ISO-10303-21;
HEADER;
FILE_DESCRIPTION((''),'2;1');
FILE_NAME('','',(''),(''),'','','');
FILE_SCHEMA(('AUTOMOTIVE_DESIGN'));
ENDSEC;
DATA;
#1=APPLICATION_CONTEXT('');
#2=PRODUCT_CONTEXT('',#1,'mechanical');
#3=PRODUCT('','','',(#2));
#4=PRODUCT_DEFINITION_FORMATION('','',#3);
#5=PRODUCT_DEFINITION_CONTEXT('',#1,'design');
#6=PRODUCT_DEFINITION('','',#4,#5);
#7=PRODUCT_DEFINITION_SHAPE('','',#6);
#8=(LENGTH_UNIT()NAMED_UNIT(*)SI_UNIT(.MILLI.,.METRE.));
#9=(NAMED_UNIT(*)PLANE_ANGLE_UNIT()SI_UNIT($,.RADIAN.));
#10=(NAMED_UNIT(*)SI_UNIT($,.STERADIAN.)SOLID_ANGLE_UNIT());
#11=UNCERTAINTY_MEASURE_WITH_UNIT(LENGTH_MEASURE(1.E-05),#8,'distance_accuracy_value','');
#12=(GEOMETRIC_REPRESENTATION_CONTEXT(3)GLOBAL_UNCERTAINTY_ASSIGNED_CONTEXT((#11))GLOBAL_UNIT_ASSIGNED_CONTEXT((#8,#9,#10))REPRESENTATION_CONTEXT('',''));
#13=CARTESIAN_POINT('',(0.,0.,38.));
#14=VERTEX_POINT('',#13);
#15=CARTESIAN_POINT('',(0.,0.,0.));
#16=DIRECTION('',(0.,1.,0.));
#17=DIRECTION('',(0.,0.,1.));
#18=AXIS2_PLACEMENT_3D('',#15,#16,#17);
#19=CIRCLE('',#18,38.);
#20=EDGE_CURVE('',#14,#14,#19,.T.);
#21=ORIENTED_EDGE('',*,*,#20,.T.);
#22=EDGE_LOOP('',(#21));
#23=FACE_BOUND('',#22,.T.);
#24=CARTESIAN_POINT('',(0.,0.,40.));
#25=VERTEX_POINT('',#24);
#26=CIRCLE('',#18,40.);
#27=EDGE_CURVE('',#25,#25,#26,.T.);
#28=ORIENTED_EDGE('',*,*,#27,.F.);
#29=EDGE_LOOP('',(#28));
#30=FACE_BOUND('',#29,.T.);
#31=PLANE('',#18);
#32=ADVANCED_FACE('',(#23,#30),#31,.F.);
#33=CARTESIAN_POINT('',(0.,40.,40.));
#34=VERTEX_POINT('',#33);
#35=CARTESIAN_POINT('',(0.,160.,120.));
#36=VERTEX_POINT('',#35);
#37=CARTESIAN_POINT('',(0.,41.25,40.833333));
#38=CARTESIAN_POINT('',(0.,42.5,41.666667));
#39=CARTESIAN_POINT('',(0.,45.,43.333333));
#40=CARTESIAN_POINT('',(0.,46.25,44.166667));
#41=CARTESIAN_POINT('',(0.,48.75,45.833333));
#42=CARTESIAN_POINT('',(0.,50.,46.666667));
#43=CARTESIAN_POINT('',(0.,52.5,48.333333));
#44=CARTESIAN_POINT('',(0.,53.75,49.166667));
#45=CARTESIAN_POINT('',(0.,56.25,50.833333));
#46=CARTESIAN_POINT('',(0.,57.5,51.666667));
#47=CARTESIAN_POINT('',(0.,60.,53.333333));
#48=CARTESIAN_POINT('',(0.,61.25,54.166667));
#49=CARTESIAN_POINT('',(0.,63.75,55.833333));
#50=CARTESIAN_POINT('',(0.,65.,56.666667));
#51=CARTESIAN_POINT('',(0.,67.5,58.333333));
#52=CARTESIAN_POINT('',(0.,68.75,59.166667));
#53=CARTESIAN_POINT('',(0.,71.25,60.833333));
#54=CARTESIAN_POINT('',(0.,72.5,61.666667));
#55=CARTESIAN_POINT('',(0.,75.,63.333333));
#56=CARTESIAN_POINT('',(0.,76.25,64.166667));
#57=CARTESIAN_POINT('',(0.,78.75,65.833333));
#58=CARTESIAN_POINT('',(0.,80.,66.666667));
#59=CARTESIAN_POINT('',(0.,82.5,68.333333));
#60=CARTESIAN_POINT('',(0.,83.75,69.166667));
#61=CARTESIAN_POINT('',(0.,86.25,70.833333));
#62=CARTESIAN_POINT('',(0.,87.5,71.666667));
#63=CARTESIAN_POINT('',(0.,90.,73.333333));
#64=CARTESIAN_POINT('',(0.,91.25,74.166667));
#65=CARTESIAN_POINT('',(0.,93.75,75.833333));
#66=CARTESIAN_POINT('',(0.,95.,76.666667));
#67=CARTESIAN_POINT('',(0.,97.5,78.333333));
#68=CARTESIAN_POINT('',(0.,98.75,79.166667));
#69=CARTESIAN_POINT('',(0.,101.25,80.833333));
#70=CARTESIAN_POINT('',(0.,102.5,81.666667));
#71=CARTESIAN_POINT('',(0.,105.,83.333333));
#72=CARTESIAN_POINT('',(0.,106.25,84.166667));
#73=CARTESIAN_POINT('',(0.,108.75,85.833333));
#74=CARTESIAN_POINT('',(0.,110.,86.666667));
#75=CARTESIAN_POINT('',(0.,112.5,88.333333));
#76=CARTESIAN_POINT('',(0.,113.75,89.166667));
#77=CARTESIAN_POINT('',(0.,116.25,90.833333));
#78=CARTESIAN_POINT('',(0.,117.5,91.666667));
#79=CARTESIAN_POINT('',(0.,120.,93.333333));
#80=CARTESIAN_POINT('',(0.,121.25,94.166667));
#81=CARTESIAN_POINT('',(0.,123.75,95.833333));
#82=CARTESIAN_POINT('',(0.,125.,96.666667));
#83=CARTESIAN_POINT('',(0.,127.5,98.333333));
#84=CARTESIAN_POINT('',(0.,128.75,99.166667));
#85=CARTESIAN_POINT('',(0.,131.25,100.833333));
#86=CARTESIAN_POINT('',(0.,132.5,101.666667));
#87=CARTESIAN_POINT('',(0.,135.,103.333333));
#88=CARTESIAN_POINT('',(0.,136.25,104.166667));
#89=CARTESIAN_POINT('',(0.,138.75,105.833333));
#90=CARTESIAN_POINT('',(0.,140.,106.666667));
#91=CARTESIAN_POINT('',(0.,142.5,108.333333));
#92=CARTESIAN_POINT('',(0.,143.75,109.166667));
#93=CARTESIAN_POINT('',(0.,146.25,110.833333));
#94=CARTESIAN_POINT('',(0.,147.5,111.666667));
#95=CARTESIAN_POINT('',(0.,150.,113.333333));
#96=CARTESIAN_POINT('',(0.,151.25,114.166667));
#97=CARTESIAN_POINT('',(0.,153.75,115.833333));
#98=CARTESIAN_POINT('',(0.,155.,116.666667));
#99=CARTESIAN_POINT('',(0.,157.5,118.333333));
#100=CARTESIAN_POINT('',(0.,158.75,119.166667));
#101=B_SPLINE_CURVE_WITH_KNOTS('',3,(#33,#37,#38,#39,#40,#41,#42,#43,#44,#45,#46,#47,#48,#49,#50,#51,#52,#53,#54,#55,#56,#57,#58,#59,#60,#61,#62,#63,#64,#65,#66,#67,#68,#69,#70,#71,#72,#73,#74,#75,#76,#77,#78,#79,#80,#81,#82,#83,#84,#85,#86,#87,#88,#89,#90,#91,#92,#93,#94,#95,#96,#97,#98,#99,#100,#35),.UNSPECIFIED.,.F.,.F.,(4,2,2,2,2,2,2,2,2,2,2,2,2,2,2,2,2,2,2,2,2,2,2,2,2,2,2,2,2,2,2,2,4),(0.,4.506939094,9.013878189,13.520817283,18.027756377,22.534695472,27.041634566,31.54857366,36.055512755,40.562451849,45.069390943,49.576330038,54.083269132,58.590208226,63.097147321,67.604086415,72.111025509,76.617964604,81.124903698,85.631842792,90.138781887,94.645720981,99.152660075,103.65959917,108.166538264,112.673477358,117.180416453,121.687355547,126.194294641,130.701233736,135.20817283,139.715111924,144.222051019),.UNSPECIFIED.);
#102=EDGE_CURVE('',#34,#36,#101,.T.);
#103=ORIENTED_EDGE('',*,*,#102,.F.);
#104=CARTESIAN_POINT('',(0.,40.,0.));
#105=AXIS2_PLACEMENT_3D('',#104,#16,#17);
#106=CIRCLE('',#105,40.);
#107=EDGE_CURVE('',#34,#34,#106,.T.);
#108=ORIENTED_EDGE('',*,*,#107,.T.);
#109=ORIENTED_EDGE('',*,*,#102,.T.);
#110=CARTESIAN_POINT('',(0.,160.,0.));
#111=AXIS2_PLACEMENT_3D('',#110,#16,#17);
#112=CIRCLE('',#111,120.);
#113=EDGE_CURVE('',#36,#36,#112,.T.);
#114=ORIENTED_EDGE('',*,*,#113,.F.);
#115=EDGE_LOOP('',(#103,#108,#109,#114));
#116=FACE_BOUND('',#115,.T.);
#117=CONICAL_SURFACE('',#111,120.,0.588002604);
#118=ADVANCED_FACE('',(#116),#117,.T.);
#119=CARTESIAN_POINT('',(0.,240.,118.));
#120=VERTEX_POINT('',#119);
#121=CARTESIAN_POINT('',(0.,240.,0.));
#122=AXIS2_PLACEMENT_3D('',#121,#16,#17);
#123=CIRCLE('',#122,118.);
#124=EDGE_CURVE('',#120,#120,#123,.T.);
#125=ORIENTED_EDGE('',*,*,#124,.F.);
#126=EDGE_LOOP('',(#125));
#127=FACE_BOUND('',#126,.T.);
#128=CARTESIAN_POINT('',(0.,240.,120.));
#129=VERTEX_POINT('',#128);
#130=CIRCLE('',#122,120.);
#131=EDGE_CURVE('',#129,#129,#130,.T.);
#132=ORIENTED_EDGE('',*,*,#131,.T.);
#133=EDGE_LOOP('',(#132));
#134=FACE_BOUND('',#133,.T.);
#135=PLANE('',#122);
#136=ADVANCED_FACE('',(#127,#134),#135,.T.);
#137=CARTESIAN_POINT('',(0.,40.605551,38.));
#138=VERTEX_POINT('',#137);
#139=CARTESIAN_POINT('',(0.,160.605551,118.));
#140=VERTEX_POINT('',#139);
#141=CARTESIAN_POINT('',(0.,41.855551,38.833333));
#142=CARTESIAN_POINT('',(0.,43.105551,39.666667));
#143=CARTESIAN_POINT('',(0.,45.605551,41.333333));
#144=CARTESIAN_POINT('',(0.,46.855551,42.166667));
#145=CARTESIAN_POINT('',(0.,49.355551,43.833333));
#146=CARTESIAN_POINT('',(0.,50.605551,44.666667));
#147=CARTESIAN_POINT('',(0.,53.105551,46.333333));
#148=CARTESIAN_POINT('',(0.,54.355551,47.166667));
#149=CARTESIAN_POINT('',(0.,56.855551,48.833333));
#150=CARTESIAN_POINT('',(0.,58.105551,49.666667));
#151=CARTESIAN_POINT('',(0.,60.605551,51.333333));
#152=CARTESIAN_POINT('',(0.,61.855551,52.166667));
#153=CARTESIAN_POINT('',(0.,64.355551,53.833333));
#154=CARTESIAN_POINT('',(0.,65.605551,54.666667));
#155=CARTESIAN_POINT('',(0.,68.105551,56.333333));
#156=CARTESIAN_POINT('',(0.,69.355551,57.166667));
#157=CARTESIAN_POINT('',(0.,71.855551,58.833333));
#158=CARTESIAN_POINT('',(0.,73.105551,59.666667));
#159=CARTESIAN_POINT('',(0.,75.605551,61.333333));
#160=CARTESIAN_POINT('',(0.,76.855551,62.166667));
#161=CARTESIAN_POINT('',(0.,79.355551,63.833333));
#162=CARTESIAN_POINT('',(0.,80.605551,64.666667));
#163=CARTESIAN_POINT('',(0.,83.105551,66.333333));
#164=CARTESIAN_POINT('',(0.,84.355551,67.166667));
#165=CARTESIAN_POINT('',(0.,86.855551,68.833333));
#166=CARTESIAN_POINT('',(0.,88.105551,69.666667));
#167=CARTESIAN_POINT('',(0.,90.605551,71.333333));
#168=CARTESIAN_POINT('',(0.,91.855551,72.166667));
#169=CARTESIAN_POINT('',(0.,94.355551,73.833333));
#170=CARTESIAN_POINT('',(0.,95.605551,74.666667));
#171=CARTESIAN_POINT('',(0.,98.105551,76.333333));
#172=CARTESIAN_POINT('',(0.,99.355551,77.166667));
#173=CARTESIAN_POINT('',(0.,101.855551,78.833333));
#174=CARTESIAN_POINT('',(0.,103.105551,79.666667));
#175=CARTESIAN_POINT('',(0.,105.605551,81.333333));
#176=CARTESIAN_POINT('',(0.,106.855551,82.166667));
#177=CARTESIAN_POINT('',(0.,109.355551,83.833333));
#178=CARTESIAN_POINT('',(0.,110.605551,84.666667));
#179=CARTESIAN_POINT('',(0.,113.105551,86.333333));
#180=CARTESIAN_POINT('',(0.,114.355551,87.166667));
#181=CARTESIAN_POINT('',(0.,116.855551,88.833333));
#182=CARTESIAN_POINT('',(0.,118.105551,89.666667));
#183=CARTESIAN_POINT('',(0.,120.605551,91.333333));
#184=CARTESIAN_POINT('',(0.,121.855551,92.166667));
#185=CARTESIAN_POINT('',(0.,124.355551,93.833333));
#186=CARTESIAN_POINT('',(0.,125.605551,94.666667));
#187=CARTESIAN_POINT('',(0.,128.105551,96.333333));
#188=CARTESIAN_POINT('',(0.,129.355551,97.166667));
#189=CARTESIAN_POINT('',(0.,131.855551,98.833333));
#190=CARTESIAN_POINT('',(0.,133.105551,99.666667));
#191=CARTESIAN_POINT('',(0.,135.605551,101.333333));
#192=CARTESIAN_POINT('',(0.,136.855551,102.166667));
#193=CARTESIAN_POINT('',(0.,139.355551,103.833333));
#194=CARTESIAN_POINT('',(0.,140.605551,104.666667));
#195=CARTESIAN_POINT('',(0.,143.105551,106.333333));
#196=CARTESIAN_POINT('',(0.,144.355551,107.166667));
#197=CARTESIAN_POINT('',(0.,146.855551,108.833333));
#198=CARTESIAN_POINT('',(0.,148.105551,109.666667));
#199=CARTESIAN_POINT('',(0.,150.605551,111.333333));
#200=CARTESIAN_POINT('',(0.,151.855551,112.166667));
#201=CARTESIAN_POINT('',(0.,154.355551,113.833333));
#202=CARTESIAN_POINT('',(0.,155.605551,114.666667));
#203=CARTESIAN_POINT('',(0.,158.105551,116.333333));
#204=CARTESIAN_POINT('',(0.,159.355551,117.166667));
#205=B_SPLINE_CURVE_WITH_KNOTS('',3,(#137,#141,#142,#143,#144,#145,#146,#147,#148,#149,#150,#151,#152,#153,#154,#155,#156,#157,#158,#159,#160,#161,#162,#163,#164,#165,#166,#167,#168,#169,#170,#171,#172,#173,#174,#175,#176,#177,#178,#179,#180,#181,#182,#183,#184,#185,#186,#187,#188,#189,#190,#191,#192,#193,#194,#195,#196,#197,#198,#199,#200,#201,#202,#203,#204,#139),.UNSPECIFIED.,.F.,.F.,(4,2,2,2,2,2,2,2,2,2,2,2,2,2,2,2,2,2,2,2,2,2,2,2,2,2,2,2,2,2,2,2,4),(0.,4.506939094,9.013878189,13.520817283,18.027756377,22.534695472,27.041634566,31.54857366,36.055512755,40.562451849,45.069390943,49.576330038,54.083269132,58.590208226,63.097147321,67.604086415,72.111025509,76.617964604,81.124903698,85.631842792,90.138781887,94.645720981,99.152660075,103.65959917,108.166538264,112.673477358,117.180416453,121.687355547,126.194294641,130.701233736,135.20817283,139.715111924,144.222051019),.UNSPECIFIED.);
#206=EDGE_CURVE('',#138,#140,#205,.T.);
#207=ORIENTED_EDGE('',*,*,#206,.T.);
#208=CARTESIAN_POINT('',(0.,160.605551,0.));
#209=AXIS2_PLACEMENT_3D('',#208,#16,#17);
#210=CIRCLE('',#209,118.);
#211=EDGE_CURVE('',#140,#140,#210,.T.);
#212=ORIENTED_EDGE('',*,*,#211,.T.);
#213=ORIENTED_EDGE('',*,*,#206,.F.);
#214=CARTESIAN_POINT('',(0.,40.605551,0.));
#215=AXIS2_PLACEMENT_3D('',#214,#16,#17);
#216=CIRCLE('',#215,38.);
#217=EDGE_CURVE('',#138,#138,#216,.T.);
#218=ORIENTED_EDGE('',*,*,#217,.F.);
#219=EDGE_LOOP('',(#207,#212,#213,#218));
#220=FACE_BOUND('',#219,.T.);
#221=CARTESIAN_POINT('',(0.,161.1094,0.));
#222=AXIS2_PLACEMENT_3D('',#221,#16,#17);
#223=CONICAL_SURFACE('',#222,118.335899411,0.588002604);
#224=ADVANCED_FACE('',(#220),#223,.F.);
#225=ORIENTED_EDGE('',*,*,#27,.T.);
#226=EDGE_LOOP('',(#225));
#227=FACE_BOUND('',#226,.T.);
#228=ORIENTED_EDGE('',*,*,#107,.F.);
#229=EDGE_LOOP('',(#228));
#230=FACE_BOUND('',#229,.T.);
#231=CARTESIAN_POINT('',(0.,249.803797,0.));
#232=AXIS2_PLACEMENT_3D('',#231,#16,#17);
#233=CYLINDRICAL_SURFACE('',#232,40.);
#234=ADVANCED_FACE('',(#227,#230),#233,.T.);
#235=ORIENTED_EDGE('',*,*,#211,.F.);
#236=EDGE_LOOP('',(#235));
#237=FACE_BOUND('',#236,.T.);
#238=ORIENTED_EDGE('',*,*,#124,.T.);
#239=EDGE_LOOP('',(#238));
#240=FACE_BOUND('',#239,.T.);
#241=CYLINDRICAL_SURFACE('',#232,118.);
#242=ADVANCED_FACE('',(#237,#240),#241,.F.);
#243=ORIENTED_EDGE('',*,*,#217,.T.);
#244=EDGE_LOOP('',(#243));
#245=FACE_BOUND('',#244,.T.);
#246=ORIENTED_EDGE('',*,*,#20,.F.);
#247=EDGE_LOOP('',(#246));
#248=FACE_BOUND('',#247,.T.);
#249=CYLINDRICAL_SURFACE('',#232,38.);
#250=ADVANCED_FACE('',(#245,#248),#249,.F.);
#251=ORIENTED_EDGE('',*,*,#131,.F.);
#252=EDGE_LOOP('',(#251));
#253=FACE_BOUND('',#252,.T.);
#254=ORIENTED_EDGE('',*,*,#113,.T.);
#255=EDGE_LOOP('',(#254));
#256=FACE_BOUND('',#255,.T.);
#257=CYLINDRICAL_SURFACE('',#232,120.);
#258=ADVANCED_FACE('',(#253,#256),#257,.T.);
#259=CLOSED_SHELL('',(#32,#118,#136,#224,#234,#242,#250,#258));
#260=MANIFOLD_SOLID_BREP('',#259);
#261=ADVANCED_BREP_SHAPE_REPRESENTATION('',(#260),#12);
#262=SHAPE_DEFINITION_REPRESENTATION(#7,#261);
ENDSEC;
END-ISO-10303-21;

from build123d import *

# Parameters (mm, degrees)
SKETCH1_W   = 40
SKETCH1_H   = 120
SKETCH1_H_2 = 80
SKETCH1_W_2 = 80
SKETCH1_H_3 = 40
SHELL2_T    = -2


with BuildPart() as part:
    # Sketch1 → Revolve3 (revolve)
    with BuildSketch(Plane.XY, mode=Mode.PRIVATE) as revolve3_sk:
        with Locations((-20, 100)):
            Rectangle(SKETCH1_W, SKETCH1_H)
        with Locations((-20, 200)):
            Rectangle(SKETCH1_W, SKETCH1_H_2)
        with Locations((-80, 200)):
            Rectangle(SKETCH1_W_2, SKETCH1_H_2)
        Polygon((-40, 160), (-120, 160), (-40, 40), align=None)
        with Locations((-20, 20)):
            Rectangle(SKETCH1_W, SKETCH1_H_3)
    revolve(revolve3_sk.sketch.rotate(Axis((0, 249.803796798, 0), (0, -1, 0)), 270), axis=Axis((0, 249.803796798, 0), (0, -1, 0)))

    # Shell2
    shell2_openings = [part.faces().sort_by_distance(p)[0] for p in [
        (0, 240, 0),
        (0, 0, 0),
    ]]
    offset(amount=SHELL2_T, openings=shell2_openings, kind=Kind.INTERSECTION)


solid = part.part
